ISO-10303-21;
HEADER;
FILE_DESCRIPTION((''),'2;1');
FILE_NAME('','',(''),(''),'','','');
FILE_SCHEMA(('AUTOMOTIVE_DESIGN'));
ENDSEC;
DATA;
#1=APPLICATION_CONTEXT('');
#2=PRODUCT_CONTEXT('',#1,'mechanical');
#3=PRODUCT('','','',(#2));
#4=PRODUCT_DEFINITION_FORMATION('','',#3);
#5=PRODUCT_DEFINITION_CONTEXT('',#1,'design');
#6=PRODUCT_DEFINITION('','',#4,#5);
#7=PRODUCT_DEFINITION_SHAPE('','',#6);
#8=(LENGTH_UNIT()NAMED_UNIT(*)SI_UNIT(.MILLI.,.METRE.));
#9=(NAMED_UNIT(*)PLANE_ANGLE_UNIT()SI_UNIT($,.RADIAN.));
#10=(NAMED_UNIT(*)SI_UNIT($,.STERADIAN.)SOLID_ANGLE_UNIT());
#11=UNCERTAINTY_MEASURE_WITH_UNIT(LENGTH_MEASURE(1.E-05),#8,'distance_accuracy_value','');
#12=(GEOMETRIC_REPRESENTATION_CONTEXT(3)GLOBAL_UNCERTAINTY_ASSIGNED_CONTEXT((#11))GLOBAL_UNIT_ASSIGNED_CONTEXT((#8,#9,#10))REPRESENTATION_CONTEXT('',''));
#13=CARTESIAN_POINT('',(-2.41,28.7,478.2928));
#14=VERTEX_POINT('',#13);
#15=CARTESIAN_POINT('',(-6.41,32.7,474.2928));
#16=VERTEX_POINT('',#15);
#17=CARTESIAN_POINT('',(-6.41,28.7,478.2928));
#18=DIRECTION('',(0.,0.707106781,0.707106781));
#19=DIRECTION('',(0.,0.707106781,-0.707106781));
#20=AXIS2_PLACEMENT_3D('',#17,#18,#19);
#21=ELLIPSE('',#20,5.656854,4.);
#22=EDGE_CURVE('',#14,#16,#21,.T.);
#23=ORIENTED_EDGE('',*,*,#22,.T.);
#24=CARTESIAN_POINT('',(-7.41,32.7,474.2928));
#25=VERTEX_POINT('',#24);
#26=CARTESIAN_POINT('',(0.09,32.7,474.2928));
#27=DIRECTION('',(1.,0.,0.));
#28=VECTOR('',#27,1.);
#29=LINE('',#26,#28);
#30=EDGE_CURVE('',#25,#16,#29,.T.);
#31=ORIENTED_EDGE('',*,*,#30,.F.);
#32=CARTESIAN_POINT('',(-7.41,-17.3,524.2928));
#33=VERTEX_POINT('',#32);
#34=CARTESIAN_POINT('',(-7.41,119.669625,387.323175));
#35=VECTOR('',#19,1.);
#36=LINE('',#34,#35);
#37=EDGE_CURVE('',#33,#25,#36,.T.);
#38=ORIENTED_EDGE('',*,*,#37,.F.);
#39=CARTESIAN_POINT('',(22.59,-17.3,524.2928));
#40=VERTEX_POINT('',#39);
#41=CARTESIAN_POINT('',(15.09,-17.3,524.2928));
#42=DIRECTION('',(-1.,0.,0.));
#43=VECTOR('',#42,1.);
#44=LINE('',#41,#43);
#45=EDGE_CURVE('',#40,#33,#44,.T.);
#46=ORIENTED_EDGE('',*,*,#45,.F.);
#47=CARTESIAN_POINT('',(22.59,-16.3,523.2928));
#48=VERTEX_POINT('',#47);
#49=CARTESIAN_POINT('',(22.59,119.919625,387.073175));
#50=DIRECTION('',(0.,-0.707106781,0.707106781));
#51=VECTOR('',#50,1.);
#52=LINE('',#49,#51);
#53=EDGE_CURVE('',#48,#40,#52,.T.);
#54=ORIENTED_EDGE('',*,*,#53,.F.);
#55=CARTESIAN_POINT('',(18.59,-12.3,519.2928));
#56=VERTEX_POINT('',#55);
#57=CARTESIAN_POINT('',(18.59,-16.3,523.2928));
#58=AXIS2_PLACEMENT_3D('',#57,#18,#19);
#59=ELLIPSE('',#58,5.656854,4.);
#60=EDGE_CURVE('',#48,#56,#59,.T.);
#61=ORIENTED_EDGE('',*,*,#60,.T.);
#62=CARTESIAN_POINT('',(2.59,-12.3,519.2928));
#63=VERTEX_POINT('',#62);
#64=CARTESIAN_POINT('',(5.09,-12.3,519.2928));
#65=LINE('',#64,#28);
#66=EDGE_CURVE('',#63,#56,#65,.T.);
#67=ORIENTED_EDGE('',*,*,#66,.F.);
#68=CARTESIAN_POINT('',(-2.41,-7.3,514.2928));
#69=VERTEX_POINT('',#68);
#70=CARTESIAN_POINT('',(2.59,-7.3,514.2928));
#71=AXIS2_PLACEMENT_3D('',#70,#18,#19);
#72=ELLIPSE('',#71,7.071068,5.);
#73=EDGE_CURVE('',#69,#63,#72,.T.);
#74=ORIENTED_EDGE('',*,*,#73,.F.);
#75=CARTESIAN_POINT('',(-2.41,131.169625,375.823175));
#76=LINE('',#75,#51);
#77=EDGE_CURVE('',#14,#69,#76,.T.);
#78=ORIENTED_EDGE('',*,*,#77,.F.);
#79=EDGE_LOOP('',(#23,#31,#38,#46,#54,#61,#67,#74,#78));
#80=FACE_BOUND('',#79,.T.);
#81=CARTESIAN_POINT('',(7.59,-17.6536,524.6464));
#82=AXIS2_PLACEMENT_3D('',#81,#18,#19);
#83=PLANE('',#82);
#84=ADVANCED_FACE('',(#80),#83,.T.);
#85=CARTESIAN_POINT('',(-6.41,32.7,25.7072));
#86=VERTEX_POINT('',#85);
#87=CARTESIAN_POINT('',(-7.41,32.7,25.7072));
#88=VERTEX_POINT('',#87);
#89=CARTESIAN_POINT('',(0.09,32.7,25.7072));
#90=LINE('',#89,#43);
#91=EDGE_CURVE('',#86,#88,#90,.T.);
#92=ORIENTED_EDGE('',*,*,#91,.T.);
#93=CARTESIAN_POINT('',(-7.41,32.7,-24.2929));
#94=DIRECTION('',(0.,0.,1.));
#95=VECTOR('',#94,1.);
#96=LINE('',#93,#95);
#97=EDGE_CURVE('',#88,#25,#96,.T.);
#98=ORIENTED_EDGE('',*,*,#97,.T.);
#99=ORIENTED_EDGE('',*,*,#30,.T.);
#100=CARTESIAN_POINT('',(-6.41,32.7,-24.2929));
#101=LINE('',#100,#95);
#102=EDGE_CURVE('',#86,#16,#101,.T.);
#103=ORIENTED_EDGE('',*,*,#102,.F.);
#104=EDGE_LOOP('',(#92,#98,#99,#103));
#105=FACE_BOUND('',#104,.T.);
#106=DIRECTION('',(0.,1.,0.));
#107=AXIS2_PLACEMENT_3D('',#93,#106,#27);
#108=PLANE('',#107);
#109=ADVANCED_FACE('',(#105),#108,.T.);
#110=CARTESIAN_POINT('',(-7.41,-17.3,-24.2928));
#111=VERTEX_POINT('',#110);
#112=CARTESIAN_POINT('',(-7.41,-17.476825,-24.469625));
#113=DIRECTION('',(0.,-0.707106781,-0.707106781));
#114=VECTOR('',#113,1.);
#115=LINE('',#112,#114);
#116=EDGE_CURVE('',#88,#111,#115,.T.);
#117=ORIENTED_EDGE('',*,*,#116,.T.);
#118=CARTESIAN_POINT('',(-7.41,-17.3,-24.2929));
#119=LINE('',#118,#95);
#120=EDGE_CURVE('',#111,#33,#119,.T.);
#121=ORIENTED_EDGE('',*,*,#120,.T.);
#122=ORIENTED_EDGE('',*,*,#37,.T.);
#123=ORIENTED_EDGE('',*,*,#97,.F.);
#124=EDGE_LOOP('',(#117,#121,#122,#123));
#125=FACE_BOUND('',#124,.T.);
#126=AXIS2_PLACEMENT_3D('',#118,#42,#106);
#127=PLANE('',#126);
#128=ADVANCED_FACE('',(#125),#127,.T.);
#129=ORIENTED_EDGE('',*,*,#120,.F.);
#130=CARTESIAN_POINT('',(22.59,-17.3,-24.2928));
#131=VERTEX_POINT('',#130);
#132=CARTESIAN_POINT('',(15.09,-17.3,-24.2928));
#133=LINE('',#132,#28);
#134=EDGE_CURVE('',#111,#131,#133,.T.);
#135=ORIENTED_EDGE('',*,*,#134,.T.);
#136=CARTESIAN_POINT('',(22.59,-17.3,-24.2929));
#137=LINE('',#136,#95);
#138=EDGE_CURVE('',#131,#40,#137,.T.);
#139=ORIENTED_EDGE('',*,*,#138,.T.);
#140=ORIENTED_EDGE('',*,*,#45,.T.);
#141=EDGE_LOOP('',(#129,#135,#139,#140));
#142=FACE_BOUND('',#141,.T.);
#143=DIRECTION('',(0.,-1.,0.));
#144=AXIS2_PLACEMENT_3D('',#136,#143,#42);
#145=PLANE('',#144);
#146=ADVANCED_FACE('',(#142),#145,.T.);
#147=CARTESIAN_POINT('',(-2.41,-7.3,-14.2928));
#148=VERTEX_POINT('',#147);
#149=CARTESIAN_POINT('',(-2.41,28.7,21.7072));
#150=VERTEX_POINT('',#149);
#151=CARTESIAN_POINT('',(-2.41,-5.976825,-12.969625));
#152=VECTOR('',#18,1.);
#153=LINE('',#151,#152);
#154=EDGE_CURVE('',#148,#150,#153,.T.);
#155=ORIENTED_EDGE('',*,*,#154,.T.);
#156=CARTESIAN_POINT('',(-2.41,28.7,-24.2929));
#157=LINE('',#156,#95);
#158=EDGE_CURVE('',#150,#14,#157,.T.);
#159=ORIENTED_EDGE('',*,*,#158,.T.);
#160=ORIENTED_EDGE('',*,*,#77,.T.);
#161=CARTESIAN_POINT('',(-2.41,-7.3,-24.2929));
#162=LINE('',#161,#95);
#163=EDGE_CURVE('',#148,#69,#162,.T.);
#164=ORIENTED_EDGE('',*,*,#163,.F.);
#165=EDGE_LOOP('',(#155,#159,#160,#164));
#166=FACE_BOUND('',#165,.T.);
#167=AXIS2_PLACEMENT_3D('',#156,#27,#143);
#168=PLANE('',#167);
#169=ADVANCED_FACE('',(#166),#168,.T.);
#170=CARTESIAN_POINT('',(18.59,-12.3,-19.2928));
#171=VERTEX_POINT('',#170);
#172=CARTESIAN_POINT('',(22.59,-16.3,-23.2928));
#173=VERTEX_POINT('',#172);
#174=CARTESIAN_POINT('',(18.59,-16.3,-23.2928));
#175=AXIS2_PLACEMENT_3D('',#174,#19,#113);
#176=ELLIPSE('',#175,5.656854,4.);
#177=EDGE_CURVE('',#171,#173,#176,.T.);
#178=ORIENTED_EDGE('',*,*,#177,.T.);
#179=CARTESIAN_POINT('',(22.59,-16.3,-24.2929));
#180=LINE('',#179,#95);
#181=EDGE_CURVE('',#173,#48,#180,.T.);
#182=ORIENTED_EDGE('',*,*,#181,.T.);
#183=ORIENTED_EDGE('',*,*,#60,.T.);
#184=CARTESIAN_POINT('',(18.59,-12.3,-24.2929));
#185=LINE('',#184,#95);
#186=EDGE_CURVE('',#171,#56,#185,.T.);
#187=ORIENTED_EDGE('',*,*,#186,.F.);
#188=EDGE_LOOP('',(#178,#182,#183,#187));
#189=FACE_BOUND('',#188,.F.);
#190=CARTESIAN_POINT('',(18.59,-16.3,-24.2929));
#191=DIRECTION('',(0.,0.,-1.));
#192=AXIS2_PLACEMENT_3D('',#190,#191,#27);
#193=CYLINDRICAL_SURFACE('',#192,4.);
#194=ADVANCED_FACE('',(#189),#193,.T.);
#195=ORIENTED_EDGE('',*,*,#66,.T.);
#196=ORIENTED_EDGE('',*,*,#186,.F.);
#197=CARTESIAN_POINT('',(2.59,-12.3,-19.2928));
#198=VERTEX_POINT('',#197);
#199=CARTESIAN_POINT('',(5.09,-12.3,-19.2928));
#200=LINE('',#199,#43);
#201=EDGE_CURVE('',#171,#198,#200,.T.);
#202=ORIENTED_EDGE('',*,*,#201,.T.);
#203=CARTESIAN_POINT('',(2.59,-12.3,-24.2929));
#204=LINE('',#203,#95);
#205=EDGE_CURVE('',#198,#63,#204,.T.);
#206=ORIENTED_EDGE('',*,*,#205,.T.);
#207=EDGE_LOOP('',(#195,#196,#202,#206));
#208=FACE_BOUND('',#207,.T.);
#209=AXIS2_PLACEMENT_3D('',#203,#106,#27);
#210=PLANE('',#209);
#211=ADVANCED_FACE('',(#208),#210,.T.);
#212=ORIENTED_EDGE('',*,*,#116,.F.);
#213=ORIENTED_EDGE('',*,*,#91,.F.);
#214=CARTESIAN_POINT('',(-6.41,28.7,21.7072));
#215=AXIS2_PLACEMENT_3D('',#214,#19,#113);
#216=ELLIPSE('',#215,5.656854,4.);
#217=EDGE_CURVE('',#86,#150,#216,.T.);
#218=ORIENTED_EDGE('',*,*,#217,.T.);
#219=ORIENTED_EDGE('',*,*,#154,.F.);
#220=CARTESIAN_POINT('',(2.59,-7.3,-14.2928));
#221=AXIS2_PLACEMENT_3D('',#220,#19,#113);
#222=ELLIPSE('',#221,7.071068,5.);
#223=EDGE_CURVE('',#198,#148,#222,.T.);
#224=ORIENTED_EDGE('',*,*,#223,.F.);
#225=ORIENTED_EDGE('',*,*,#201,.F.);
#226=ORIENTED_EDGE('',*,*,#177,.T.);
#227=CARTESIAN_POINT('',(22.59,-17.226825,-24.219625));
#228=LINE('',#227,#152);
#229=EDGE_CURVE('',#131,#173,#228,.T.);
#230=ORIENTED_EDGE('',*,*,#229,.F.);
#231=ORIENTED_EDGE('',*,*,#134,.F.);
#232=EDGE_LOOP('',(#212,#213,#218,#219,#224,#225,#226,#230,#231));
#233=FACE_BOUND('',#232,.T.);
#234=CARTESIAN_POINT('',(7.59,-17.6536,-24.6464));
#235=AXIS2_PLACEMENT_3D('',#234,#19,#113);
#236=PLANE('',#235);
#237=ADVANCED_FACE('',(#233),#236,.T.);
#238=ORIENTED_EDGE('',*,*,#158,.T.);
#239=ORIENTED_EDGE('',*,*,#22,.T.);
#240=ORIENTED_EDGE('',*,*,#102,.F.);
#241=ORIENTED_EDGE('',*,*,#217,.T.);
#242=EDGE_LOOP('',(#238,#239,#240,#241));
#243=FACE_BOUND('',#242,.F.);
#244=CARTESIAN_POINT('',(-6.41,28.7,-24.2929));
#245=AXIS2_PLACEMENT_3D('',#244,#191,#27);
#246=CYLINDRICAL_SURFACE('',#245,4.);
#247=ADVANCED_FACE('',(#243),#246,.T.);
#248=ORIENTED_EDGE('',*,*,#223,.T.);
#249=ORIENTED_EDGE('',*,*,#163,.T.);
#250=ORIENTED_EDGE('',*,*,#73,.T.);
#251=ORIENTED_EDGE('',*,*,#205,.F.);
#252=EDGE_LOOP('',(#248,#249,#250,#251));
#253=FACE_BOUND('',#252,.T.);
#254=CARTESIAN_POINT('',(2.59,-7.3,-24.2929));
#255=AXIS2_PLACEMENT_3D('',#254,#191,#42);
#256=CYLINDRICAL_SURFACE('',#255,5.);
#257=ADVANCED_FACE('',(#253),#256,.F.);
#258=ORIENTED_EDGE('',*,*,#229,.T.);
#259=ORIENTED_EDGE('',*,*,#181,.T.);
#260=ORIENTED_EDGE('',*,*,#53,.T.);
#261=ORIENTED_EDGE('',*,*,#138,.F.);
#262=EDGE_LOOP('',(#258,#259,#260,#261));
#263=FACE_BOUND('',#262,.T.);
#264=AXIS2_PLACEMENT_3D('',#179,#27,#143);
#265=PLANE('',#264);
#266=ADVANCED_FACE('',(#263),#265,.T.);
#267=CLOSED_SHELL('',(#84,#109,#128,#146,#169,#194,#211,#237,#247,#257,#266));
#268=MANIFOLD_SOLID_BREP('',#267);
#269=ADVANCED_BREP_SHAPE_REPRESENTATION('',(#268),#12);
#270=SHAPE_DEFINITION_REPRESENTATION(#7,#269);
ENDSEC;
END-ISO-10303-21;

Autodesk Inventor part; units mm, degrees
ref_plane "Start Plane" through (0, 0, -24.2929) normal (0, 0, 1) x (1, 0, 0)
ref_plane "End Plane" through (0, 0, 524.2929) normal (0, 0, 1) x (1, 0, 0)
sketch "Sketch" plane through (0, 0, 0) normal (0, 0, 1) x (1, 0, 0)
  line L0 (-2.41, 28.7) -> (-2.41, -7.3)
  line L1 (-7.41, 32.7) -> (-6.41, 32.7)
  line L2 (-7.41, -17.3) -> (-7.41, 32.7)
  line L3 (22.59, -17.3) -> (-7.41, -17.3)
  line L4 (22.59, -16.3) -> (22.59, -17.3)
  line L5 (2.59, -12.3) -> (18.59, -12.3)
  arc A0 (-2.41, -7.3) -> (2.59, -12.3) centre (2.59, -7.3) ccw
  arc A1 (-2.41, 28.7) -> (-6.41, 32.7) centre (-6.41, 28.7) ccw
  arc A2 (22.59, -16.3) -> (18.59, -12.3) centre (18.59, -16.3) ccw
  line L6 (0, 43.6941) -> (0, -27.4657) construction
  line L7 (-13.5757, 0) -> (29.5841, 0) construction
  point P0 (-2.41, 32.7)
  point P1 (-2.41, -12.3)
  point P2 (22.59, -12.3)
  dimension "d4" = 30
  dimension "d6" = 50
  dimension "d8" = 5
  dimension "d10" = 5
  dimension "d17" = 5
  dimension "d18" = 4
  dimension "d19" = 17.3
  dimension "d20" = 7.41
extrude "Body" add sketch "Sketch" along normal up to surface (548.5858 mm away) from surface at -24.2929
sketch "Sketch3" plane through (0, 0, 0) normal (0, 0, 1) x (1, 0, 0)
  line L0 (0, 0) -> (10, 0)
ref_plane "Work Plane10" through (0, 0, 0) normal (0, -1, 0) x (1, 0, 0)
sketch "Sketch4" plane through (0, 0, 0) normal (0, -1, 0) x (1, 0, 0)
  line L0 (-2, -24.2929) -> (12, -24.2929)
  line L1 (-2, 524.2929) -> (12, 524.2929)
  dimension "d24" = 548.5858
ref_plane "Work Plane11" through (7.59, -17.6536, 524.6464) normal (0, 0.7071, 0.7071) x (1, 0, 0)
split "Split1" plane through (7.59, -17.6536, 524.6464) removes the side toward (0, 0.7071, 0.7071)
ref_plane "Work Plane12" through (7.59, -17.6536, -24.6464) normal (0, 0.7071, -0.7071) x (1, 0, 0)
split "Split2" plane through (7.59, -17.6536, -24.6464) removes the side toward (0, 0.7071, -0.7071)
equation "\"d4\" = b"
equation "\"d6\" = ParH"
equation "\"d8\" = ParT"
equation "\"d10\" = ParT"
equation "\"d17\" = R"
equation "\"d18\" = R1"
equation "\"d19\" = ex"
equation "\"d20\" = ey"
equation "\"d11\" = G_L"
equation "\"b\" = 30"
equation "\"ParT\" = 5"
equation "\"R1\" = 4"
equation "\"G_L\" = d24"
equation "\"ParH\" = 50"
equation "\"R\" = 5"
equation "\"ey\" = 7.41"
equation "\"ex\" = 17.3"
equation "\"G_OFFSET_START\" = 24.29289"
equation "\"G_OFFSET_END\" = 24.29289"
equation "\"d21\" = -G_OFFSET_START"
equation "\"d22\" = G_OFFSET_END + B_L"
equation "\"B_L\" = 500"
properties part number "ISO 657-2 - 50x 30x 5-548.59" material "Steel, Mild"
